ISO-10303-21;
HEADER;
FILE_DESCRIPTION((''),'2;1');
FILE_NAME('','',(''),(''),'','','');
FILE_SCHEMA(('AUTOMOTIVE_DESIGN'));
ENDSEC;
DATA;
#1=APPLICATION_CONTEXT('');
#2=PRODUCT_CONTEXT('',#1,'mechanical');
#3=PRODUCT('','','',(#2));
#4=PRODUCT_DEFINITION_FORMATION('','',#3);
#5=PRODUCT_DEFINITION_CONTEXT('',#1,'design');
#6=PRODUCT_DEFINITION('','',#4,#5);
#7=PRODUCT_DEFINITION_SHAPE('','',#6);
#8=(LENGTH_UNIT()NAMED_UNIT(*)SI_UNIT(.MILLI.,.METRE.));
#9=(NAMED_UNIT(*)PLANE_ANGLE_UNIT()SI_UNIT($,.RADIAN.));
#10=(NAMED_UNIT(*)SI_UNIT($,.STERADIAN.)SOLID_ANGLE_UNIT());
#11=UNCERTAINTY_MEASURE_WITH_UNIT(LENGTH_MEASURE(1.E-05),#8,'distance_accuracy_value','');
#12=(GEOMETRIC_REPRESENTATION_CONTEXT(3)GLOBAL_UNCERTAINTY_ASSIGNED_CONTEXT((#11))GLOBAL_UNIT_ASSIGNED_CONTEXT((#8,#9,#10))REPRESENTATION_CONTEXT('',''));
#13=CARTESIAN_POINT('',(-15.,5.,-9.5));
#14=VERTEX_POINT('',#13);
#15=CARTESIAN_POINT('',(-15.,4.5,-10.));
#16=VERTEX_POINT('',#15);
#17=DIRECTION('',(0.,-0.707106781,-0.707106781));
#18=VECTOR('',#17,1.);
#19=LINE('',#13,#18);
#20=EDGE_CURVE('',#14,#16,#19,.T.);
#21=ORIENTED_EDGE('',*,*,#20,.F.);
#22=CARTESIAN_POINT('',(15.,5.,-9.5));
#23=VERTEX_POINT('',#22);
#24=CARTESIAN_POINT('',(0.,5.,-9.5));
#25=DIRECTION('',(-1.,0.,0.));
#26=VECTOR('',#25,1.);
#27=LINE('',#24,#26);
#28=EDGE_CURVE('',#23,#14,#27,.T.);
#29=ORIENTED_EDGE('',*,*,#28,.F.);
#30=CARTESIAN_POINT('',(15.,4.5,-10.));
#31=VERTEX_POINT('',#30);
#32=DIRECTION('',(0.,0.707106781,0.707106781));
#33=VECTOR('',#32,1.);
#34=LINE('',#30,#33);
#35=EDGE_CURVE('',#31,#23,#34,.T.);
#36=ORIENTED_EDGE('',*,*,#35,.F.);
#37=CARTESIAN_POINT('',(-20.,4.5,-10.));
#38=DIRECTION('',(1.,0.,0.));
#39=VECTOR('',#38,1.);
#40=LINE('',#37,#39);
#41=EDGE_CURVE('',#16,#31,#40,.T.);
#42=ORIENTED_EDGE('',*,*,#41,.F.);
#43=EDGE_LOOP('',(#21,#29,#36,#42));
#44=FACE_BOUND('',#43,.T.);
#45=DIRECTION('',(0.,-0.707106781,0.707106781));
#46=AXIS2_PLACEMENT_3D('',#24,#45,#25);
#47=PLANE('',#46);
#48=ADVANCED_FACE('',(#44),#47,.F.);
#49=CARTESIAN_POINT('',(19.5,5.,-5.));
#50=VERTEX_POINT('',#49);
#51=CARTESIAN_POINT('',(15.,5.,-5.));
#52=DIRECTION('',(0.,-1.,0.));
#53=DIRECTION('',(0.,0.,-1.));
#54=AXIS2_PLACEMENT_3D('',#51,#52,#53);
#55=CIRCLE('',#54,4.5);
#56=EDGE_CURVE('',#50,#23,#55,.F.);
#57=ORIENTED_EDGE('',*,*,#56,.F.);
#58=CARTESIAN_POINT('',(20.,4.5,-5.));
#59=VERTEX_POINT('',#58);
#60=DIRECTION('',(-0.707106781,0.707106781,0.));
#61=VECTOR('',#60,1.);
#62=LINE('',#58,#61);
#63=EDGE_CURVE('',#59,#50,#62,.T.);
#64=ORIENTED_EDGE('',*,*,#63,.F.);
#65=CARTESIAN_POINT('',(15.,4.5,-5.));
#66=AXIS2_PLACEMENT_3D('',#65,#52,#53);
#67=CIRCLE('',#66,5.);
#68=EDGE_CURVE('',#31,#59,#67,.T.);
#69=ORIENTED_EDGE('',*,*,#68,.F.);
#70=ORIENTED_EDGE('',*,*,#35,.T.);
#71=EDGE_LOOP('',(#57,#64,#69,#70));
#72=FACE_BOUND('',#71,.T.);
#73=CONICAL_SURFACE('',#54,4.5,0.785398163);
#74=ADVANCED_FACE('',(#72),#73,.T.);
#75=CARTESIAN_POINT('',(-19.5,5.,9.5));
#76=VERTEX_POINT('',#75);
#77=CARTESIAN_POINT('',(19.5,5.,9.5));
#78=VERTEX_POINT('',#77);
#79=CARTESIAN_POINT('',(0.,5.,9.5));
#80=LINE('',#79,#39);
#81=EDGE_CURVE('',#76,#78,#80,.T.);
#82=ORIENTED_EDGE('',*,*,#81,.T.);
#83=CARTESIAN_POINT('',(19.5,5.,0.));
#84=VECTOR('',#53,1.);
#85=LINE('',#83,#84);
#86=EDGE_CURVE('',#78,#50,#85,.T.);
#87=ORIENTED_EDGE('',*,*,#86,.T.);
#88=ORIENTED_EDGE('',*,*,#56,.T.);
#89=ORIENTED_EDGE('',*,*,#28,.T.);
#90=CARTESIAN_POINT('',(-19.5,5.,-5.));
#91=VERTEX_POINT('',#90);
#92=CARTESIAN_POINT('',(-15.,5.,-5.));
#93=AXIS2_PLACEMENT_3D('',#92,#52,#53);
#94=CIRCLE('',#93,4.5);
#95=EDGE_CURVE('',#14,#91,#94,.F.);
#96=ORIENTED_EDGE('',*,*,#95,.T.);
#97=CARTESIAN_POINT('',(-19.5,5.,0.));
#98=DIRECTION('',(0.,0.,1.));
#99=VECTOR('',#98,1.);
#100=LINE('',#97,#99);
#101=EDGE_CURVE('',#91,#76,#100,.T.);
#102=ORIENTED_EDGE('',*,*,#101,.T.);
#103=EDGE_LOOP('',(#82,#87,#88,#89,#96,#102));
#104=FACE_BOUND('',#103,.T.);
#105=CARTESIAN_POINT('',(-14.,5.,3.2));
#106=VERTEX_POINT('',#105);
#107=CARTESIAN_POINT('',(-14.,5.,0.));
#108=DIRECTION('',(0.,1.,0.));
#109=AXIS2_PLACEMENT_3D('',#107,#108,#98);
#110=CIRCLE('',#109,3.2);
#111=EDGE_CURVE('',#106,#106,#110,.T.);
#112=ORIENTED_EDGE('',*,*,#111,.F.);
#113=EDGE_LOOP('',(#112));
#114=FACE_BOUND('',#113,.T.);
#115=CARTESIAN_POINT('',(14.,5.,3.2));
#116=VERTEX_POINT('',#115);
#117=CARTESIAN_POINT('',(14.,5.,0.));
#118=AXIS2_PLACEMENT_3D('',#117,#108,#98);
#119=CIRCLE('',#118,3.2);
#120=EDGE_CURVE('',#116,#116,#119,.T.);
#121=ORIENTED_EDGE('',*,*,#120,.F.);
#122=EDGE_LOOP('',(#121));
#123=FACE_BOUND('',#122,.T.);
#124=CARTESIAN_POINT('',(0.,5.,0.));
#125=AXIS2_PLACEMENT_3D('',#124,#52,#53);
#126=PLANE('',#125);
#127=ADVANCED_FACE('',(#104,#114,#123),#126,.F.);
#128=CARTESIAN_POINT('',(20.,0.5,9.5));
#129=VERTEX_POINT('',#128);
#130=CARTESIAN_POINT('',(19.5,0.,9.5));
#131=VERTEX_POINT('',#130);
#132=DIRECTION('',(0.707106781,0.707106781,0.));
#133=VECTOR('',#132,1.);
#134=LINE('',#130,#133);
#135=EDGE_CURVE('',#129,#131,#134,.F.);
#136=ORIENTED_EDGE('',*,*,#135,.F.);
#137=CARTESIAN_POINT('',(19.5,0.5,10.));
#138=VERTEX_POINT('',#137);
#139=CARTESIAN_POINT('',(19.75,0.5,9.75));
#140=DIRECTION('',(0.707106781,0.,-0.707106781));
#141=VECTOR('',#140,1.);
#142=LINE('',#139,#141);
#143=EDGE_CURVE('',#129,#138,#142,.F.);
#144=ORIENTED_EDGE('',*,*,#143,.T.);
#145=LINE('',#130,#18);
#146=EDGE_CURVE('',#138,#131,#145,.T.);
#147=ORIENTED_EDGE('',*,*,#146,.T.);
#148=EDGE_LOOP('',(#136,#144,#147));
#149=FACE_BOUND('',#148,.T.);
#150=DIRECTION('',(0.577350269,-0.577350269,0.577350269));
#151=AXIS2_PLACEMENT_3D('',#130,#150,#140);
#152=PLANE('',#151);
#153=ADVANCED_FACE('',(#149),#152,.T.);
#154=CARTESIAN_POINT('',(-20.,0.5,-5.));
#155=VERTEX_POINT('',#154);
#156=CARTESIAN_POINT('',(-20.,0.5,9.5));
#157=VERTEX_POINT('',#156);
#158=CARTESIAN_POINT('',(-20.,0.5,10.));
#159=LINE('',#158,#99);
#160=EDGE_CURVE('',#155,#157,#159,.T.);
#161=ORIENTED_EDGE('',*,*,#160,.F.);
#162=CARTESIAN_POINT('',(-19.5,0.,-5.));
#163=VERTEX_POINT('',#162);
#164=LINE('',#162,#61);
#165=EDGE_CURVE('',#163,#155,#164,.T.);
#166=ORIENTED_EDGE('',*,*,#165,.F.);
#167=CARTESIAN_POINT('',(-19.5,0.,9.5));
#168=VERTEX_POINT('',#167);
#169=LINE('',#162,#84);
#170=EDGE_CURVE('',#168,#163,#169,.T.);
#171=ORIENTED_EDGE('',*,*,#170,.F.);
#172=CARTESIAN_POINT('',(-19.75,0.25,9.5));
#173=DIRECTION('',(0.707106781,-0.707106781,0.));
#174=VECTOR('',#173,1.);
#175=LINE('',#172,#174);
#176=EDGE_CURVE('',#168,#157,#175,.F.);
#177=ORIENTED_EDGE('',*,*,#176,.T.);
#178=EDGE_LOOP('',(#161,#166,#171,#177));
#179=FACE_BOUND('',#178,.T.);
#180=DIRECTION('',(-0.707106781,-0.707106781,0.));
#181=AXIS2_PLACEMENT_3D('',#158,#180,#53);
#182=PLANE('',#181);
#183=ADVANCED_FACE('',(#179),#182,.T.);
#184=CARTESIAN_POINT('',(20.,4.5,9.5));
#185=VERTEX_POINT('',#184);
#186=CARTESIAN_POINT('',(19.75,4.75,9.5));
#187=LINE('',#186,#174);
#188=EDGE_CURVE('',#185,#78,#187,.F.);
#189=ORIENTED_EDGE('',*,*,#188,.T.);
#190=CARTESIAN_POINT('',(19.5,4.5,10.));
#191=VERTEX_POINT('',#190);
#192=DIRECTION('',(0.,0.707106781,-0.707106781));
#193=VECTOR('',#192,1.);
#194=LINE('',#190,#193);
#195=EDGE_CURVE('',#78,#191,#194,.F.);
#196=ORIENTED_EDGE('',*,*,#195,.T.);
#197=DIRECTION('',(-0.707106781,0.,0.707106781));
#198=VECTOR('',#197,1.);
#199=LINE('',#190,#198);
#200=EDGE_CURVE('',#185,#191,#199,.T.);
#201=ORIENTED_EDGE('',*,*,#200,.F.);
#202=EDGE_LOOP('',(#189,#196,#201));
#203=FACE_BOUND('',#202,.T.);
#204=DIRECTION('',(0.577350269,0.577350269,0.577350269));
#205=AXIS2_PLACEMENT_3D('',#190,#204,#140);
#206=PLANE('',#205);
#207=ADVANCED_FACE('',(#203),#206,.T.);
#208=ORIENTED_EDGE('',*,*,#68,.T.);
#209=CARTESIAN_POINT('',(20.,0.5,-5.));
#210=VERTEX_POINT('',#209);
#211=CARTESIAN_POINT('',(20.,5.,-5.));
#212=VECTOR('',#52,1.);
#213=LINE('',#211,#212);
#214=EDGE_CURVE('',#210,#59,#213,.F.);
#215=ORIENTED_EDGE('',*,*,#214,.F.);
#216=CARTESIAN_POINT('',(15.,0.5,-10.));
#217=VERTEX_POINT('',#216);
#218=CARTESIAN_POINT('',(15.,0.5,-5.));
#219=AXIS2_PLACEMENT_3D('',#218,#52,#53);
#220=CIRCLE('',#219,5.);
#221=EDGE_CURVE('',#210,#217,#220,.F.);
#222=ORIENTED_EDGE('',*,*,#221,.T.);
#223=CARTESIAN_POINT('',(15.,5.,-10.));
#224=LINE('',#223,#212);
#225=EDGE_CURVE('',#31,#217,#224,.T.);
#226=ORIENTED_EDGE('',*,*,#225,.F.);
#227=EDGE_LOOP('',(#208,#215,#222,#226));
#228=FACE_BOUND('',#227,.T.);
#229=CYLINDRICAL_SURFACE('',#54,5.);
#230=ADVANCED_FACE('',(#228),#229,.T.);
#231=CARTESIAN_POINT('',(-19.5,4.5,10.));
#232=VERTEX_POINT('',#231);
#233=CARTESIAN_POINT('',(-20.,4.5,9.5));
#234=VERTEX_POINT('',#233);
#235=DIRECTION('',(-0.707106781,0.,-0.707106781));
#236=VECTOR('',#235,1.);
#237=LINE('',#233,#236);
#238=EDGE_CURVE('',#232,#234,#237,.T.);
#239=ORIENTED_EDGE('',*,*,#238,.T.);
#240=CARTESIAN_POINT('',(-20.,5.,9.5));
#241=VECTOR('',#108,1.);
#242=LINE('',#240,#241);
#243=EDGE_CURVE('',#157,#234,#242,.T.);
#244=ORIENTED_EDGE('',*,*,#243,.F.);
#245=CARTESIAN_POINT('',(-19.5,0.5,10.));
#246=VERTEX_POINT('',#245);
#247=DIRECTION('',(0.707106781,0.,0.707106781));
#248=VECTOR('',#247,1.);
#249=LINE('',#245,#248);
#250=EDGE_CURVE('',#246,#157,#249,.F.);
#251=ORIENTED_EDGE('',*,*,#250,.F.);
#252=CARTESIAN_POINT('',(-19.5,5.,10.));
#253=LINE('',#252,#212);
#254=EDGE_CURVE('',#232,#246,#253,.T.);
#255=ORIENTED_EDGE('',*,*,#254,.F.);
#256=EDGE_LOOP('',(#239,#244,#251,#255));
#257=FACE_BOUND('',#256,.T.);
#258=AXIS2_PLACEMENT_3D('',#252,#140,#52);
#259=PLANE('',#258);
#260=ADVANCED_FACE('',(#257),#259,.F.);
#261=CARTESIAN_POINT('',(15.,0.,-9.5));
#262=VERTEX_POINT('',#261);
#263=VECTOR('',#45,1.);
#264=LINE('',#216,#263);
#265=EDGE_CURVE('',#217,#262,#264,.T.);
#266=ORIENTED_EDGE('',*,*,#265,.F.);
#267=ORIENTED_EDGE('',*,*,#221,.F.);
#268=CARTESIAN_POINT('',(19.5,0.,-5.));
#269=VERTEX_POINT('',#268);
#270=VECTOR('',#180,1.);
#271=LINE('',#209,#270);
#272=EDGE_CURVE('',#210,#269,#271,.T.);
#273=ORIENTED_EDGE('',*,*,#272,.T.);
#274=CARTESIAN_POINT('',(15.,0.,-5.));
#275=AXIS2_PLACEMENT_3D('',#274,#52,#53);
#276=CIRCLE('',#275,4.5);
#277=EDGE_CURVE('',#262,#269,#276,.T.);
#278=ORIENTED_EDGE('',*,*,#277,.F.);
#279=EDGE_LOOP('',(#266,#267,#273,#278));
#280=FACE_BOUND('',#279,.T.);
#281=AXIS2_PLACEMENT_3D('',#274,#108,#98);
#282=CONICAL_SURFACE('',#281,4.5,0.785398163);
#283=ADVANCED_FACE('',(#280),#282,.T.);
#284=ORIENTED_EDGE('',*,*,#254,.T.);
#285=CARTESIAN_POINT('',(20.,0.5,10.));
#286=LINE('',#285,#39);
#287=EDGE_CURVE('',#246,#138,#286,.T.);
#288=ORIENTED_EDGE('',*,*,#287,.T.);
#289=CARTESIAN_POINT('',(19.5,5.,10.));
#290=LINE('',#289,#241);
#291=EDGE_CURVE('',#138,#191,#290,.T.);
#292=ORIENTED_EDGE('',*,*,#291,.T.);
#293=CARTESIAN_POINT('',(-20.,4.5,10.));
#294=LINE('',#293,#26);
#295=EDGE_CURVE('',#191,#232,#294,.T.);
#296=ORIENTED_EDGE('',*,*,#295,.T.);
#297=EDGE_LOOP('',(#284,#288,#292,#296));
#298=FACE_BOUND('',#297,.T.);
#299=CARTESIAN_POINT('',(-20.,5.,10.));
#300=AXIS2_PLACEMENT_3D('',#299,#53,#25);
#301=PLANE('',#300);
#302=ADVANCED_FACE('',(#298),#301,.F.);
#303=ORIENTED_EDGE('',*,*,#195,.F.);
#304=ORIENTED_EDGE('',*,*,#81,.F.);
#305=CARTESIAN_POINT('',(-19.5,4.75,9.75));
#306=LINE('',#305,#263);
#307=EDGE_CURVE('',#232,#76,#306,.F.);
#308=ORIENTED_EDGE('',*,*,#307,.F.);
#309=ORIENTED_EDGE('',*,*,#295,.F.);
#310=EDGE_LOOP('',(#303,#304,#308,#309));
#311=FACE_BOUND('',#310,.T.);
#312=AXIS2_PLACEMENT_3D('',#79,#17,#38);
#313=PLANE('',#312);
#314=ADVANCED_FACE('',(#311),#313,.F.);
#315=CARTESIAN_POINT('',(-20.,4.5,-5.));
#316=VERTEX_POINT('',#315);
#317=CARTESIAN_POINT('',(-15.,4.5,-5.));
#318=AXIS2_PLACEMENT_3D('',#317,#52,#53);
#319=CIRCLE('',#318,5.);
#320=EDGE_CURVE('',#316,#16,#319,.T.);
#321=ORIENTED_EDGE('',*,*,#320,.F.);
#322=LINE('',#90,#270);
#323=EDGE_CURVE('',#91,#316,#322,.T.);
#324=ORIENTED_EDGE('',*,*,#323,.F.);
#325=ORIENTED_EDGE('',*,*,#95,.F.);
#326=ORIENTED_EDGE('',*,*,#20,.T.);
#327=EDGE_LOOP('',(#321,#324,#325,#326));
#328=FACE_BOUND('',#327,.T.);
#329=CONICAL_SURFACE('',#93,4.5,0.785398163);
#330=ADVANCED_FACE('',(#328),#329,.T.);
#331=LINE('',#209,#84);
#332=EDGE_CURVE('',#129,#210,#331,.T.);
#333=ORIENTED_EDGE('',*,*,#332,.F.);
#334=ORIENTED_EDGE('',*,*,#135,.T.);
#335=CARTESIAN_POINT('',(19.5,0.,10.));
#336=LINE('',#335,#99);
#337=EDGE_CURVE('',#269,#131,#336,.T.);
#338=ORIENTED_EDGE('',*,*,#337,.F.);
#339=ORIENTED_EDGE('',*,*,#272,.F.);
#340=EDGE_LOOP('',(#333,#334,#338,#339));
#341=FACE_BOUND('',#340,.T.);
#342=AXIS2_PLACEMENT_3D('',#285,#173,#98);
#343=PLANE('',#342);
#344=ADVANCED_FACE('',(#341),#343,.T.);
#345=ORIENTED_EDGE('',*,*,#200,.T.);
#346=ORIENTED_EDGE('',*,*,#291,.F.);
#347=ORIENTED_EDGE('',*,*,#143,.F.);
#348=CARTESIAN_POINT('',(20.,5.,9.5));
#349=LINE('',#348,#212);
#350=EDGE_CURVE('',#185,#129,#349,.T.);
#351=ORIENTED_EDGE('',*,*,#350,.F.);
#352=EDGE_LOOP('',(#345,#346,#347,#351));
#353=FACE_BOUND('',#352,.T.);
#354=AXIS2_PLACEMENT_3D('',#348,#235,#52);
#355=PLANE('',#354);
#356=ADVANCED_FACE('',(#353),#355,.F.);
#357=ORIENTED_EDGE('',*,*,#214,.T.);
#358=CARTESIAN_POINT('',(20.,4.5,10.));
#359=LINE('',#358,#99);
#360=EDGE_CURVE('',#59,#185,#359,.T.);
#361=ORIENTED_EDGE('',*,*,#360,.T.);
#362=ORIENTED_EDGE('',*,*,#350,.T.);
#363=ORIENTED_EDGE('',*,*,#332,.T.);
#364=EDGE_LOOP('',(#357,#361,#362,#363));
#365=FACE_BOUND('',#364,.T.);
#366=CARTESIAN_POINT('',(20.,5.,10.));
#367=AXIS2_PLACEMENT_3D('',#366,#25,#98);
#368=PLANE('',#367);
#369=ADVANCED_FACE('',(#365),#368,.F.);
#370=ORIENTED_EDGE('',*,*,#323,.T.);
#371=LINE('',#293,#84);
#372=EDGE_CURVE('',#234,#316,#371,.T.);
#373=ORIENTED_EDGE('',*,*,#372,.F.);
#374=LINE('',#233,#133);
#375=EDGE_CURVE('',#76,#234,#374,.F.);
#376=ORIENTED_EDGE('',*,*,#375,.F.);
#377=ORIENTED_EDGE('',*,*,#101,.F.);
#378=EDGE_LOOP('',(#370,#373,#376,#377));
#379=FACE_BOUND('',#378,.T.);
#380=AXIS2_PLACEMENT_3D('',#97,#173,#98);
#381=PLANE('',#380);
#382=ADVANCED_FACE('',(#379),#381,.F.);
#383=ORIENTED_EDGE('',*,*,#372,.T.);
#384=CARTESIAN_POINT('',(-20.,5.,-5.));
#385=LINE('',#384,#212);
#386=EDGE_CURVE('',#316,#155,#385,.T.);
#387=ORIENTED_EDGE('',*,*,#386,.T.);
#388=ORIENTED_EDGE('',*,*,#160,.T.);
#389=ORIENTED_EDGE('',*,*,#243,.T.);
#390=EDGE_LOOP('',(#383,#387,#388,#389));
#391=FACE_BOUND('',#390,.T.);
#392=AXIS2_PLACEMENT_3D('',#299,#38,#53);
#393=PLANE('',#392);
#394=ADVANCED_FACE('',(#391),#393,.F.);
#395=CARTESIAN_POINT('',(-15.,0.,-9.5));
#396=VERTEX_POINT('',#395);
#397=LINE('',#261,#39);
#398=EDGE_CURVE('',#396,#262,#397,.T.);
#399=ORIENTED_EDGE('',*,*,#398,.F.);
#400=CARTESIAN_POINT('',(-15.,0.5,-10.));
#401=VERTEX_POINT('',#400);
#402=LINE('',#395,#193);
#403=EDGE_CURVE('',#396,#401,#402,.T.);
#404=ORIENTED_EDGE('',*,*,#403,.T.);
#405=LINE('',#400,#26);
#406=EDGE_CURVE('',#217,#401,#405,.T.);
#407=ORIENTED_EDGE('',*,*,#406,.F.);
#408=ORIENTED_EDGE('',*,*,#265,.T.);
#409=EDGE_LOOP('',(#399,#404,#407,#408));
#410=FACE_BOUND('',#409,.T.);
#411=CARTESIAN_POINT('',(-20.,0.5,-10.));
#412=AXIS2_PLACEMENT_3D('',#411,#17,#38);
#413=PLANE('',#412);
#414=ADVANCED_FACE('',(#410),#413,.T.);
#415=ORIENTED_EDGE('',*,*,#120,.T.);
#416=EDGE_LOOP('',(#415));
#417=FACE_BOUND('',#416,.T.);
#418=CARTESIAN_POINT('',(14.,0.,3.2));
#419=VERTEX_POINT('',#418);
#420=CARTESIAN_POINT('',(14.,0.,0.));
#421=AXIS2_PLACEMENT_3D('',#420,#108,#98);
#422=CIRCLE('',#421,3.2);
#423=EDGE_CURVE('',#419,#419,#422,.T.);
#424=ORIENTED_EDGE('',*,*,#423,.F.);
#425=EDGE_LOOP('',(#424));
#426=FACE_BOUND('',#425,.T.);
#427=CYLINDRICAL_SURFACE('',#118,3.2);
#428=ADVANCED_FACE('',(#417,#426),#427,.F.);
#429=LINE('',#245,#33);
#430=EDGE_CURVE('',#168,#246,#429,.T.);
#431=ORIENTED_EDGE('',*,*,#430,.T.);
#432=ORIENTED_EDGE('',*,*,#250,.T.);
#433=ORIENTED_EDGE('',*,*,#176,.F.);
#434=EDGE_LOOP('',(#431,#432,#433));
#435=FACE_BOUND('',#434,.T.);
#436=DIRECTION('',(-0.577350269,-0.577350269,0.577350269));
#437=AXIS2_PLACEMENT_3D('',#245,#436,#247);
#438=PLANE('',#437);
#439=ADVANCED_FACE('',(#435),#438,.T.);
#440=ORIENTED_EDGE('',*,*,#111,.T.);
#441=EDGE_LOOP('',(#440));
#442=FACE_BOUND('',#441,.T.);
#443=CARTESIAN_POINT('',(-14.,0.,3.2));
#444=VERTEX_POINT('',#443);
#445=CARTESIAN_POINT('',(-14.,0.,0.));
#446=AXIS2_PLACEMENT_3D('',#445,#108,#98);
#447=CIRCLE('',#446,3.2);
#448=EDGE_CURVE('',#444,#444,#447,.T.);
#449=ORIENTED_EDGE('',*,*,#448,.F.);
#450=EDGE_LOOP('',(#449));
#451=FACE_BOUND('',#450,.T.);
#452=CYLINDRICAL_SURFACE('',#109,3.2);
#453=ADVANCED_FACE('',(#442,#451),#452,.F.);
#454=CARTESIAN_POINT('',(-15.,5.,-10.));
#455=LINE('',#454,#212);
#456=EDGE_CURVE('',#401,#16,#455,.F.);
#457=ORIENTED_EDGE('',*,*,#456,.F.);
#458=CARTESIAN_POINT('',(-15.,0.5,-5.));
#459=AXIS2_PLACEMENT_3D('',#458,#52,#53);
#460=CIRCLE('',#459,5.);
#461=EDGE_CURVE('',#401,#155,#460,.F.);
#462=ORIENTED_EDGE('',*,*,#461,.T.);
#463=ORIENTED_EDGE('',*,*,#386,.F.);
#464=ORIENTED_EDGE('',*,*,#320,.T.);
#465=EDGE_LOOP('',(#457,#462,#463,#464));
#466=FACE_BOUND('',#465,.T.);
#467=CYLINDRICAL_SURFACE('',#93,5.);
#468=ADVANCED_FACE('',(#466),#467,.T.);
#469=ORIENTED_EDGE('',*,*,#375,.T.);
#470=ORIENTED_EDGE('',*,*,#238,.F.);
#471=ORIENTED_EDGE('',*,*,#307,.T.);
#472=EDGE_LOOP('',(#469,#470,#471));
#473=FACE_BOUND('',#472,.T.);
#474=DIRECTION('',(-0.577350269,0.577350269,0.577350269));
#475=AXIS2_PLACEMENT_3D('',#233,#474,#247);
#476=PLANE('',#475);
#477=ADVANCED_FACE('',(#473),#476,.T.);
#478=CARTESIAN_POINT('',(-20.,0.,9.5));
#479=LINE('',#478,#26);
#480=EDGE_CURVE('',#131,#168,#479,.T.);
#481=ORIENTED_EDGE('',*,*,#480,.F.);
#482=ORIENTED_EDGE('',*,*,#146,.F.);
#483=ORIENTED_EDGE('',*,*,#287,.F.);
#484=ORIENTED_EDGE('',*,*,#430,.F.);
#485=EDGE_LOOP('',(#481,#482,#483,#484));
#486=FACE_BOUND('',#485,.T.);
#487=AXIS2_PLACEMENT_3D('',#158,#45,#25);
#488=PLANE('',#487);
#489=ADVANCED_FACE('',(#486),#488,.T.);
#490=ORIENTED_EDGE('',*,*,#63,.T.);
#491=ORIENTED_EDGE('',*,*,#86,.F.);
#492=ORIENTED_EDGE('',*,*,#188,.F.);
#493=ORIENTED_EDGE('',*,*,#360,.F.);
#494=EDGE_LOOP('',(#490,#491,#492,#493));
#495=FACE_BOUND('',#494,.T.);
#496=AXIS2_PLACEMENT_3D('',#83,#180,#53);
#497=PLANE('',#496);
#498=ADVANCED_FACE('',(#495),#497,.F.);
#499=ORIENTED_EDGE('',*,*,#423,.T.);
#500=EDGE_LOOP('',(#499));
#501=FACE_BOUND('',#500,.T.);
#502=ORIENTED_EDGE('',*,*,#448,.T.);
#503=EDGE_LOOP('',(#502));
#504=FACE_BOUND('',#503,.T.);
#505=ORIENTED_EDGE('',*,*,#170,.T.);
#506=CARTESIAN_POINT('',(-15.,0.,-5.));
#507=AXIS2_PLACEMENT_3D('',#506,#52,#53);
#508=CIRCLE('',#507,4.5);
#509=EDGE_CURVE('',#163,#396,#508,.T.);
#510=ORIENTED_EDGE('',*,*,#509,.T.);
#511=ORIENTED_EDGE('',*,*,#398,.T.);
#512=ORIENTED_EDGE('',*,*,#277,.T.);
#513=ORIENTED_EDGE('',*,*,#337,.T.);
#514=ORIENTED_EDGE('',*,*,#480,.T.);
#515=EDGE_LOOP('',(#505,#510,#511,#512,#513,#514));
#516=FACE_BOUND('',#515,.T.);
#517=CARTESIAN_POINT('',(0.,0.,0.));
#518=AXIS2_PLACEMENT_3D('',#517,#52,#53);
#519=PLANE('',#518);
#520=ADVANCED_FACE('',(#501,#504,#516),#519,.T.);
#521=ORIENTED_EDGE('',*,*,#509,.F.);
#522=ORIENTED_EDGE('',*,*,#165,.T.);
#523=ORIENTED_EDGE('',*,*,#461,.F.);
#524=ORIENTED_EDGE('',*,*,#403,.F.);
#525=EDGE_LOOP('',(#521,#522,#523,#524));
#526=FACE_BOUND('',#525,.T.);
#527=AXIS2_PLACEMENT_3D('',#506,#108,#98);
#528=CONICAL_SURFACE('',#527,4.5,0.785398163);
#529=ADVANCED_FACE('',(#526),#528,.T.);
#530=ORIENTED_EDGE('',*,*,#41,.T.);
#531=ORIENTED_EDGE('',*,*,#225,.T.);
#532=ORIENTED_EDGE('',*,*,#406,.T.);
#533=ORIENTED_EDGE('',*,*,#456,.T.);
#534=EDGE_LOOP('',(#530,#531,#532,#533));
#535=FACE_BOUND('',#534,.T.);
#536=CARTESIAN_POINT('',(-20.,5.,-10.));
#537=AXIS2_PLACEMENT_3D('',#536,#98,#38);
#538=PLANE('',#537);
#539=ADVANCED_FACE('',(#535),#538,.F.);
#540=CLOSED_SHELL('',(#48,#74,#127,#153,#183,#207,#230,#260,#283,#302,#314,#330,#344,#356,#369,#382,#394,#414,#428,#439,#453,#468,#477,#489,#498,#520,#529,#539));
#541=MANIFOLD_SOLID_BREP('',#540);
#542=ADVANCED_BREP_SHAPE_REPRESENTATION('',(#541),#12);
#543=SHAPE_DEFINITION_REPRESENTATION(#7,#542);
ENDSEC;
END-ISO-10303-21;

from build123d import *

# Parameters (mm, degrees)
SKETCH1_W            = 40
SKETCH1_H            = 20
BOSS_EXTRUDE1_DEPTH  = 5
M6_CLEARANCE_HOLE1_D = 6.4
FILLET1_R            = 5
CHAMFER1_SIZE        = 0.5


with BuildPart() as part:
    # Sketch1 → Boss-Extrude1 (new body)
    with BuildSketch(Plane(origin=(0, 0, 0), x_dir=(1, 0, 0), z_dir=(0, 1, 0))):
        Rectangle(SKETCH1_W, SKETCH1_H)
    extrude(amount=BOSS_EXTRUDE1_DEPTH)

    # M6 Clearance Hole1 (through all)
    with Locations(Plane(origin=(0, 5, 0), x_dir=(1, 0, 0), z_dir=(0, 1, 0))):
        with Locations((-14, 0), (14, 0)):
            Hole(M6_CLEARANCE_HOLE1_D / 2)

    # Fillet1
    fillet1_edges = [part.edges().sort_by_distance(p)[0] for p in [
        (-20, 2.5, -10),
        (20, 2.5, -10),
    ]]
    fillet(fillet1_edges, radius=FILLET1_R)

    # Chamfer1
    chamfer1_edges = [part.edges().sort_by_distance(p)[0] for p in [
        (0, 5, 10),
        (-20, 0, 2.5),
        (-20, 5, 2.5),
        (0, 0, -10),
        (18.535533906, 0, -8.535533906),
        (-18.535533906, 0, -8.535533906),
        (0, 5, -10),
        (18.535533906, 5, -8.535533906),
        (-18.535533906, 5, -8.535533906),
        (20, 5, 2.5),
        (0, 0, 10),
        (20, 0, 2.5),
        (20, 2.5, 10),
        (-20, 2.5, 10),
    ]]
    chamfer(chamfer1_edges, length=CHAMFER1_SIZE)


solid = part.part
